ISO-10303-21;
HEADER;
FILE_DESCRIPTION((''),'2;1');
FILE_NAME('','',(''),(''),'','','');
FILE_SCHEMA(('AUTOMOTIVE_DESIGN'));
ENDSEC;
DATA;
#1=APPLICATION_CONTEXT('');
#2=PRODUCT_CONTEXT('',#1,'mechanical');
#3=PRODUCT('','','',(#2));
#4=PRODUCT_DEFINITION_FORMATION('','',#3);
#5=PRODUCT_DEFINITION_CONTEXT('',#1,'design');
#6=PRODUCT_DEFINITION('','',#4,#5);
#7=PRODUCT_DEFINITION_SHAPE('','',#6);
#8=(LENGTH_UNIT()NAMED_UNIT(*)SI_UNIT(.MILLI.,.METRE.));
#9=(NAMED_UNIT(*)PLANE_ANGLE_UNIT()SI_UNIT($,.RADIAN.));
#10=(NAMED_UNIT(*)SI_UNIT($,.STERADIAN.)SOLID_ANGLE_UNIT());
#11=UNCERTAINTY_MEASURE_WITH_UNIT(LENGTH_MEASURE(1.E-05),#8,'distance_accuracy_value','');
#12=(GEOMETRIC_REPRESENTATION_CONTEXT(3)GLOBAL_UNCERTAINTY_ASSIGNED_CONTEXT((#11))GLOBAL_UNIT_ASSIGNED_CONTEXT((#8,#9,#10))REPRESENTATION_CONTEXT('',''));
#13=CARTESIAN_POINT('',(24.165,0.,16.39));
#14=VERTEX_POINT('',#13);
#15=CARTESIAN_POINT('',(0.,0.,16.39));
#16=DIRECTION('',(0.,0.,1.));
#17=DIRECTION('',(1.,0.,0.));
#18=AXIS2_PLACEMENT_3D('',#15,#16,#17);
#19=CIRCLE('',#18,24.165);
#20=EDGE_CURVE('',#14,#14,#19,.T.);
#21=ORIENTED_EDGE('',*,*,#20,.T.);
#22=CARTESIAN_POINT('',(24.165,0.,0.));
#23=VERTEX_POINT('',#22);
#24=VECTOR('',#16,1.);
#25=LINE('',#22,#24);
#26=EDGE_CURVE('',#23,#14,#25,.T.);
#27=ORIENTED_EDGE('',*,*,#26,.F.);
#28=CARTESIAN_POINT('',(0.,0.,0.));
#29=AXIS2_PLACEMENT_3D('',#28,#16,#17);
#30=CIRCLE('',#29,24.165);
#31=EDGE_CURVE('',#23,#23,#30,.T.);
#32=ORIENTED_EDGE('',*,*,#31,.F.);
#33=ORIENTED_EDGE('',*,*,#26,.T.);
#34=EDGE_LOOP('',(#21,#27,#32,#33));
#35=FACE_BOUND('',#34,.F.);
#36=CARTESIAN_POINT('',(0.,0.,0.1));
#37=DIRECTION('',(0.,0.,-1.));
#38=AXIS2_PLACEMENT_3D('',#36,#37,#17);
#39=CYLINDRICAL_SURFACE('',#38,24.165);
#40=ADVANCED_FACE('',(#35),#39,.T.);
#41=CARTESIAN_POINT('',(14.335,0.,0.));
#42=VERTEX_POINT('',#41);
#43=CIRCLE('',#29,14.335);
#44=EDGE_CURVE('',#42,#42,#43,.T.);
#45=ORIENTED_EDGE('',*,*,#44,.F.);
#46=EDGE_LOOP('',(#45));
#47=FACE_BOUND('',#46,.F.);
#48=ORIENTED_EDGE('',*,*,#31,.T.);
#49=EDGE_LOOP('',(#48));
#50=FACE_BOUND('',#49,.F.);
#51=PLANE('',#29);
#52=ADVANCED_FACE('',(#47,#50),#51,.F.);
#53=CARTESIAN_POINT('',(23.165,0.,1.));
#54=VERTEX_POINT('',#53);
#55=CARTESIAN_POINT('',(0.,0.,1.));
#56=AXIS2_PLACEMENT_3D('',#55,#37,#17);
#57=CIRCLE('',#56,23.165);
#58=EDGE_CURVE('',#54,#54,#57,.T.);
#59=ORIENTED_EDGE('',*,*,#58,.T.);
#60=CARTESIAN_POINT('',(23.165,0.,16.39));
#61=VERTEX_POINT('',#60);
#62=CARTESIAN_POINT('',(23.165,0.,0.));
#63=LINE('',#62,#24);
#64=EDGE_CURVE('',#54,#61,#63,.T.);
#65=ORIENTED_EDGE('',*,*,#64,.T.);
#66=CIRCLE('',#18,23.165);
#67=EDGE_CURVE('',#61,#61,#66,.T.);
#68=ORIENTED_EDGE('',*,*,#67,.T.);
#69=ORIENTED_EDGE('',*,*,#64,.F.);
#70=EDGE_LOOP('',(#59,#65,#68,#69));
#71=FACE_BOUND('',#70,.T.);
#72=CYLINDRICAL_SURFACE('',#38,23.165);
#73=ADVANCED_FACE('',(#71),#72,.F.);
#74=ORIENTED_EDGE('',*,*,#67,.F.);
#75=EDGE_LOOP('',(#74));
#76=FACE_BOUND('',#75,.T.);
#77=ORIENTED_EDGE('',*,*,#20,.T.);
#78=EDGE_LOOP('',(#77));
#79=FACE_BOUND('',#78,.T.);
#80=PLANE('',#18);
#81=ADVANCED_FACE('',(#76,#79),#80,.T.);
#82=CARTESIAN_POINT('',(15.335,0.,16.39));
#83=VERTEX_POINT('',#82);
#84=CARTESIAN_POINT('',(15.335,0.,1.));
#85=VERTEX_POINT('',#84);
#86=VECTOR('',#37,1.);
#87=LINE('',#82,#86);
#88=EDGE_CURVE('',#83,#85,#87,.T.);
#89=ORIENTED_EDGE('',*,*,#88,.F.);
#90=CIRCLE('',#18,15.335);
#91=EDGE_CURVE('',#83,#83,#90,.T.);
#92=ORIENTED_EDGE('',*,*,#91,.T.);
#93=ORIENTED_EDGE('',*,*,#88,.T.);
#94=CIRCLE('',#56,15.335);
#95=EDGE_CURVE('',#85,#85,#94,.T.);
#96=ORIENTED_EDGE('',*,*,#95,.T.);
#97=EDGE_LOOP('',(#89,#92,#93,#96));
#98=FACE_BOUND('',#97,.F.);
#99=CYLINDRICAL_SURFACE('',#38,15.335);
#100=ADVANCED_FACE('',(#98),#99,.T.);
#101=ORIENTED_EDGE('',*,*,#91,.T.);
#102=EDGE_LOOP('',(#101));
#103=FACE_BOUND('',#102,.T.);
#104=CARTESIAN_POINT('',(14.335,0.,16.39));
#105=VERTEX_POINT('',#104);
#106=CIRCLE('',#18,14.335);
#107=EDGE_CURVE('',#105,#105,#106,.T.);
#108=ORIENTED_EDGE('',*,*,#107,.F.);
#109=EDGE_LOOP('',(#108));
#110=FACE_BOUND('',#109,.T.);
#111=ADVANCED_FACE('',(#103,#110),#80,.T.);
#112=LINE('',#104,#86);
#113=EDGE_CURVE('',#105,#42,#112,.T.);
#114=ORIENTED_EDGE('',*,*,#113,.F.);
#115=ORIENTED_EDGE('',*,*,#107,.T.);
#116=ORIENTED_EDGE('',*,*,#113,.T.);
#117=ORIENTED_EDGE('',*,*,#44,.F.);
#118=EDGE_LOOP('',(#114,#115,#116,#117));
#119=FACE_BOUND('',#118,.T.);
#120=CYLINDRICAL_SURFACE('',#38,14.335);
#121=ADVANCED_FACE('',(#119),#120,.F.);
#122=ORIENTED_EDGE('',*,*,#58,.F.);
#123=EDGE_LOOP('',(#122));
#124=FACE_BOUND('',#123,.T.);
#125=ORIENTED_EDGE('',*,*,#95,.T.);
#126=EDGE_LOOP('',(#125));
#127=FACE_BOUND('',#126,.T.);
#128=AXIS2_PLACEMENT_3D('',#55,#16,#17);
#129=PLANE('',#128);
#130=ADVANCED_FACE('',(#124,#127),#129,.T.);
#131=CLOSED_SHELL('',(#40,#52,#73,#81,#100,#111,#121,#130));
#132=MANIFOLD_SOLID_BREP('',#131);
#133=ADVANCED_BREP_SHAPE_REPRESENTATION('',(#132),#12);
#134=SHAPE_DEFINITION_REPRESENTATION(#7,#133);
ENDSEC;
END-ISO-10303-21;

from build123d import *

# Parameters (mm, degrees)
F0_R     = 24.165
F0_R_2   = 14.335
F1_DEPTH = 0.1
F2_DEPTH = 16.29
F3_T     = -1


with BuildPart() as f1:
    # F0 (on Top) → F1 (new body)
    with BuildSketch(Plane.XY):
        Circle(F0_R)
        Circle(F0_R_2, mode=Mode.SUBTRACT)
    extrude(amount=F1_DEPTH)

    # F2 (add): a face of the model
    f2_faces = [f1.faces().sort_by_distance(p)[0] for p in [
        (-23.4815105853, 0, 0.1),
    ]]
    extrude(f2_faces, amount=F2_DEPTH)

    # F3
    f3_openings = [f1.faces().sort_by_distance(p)[0] for p in [
        (-23.481511, 0, 16.39),
    ]]
    offset(amount=F3_T, openings=f3_openings)


solid = f1.part
